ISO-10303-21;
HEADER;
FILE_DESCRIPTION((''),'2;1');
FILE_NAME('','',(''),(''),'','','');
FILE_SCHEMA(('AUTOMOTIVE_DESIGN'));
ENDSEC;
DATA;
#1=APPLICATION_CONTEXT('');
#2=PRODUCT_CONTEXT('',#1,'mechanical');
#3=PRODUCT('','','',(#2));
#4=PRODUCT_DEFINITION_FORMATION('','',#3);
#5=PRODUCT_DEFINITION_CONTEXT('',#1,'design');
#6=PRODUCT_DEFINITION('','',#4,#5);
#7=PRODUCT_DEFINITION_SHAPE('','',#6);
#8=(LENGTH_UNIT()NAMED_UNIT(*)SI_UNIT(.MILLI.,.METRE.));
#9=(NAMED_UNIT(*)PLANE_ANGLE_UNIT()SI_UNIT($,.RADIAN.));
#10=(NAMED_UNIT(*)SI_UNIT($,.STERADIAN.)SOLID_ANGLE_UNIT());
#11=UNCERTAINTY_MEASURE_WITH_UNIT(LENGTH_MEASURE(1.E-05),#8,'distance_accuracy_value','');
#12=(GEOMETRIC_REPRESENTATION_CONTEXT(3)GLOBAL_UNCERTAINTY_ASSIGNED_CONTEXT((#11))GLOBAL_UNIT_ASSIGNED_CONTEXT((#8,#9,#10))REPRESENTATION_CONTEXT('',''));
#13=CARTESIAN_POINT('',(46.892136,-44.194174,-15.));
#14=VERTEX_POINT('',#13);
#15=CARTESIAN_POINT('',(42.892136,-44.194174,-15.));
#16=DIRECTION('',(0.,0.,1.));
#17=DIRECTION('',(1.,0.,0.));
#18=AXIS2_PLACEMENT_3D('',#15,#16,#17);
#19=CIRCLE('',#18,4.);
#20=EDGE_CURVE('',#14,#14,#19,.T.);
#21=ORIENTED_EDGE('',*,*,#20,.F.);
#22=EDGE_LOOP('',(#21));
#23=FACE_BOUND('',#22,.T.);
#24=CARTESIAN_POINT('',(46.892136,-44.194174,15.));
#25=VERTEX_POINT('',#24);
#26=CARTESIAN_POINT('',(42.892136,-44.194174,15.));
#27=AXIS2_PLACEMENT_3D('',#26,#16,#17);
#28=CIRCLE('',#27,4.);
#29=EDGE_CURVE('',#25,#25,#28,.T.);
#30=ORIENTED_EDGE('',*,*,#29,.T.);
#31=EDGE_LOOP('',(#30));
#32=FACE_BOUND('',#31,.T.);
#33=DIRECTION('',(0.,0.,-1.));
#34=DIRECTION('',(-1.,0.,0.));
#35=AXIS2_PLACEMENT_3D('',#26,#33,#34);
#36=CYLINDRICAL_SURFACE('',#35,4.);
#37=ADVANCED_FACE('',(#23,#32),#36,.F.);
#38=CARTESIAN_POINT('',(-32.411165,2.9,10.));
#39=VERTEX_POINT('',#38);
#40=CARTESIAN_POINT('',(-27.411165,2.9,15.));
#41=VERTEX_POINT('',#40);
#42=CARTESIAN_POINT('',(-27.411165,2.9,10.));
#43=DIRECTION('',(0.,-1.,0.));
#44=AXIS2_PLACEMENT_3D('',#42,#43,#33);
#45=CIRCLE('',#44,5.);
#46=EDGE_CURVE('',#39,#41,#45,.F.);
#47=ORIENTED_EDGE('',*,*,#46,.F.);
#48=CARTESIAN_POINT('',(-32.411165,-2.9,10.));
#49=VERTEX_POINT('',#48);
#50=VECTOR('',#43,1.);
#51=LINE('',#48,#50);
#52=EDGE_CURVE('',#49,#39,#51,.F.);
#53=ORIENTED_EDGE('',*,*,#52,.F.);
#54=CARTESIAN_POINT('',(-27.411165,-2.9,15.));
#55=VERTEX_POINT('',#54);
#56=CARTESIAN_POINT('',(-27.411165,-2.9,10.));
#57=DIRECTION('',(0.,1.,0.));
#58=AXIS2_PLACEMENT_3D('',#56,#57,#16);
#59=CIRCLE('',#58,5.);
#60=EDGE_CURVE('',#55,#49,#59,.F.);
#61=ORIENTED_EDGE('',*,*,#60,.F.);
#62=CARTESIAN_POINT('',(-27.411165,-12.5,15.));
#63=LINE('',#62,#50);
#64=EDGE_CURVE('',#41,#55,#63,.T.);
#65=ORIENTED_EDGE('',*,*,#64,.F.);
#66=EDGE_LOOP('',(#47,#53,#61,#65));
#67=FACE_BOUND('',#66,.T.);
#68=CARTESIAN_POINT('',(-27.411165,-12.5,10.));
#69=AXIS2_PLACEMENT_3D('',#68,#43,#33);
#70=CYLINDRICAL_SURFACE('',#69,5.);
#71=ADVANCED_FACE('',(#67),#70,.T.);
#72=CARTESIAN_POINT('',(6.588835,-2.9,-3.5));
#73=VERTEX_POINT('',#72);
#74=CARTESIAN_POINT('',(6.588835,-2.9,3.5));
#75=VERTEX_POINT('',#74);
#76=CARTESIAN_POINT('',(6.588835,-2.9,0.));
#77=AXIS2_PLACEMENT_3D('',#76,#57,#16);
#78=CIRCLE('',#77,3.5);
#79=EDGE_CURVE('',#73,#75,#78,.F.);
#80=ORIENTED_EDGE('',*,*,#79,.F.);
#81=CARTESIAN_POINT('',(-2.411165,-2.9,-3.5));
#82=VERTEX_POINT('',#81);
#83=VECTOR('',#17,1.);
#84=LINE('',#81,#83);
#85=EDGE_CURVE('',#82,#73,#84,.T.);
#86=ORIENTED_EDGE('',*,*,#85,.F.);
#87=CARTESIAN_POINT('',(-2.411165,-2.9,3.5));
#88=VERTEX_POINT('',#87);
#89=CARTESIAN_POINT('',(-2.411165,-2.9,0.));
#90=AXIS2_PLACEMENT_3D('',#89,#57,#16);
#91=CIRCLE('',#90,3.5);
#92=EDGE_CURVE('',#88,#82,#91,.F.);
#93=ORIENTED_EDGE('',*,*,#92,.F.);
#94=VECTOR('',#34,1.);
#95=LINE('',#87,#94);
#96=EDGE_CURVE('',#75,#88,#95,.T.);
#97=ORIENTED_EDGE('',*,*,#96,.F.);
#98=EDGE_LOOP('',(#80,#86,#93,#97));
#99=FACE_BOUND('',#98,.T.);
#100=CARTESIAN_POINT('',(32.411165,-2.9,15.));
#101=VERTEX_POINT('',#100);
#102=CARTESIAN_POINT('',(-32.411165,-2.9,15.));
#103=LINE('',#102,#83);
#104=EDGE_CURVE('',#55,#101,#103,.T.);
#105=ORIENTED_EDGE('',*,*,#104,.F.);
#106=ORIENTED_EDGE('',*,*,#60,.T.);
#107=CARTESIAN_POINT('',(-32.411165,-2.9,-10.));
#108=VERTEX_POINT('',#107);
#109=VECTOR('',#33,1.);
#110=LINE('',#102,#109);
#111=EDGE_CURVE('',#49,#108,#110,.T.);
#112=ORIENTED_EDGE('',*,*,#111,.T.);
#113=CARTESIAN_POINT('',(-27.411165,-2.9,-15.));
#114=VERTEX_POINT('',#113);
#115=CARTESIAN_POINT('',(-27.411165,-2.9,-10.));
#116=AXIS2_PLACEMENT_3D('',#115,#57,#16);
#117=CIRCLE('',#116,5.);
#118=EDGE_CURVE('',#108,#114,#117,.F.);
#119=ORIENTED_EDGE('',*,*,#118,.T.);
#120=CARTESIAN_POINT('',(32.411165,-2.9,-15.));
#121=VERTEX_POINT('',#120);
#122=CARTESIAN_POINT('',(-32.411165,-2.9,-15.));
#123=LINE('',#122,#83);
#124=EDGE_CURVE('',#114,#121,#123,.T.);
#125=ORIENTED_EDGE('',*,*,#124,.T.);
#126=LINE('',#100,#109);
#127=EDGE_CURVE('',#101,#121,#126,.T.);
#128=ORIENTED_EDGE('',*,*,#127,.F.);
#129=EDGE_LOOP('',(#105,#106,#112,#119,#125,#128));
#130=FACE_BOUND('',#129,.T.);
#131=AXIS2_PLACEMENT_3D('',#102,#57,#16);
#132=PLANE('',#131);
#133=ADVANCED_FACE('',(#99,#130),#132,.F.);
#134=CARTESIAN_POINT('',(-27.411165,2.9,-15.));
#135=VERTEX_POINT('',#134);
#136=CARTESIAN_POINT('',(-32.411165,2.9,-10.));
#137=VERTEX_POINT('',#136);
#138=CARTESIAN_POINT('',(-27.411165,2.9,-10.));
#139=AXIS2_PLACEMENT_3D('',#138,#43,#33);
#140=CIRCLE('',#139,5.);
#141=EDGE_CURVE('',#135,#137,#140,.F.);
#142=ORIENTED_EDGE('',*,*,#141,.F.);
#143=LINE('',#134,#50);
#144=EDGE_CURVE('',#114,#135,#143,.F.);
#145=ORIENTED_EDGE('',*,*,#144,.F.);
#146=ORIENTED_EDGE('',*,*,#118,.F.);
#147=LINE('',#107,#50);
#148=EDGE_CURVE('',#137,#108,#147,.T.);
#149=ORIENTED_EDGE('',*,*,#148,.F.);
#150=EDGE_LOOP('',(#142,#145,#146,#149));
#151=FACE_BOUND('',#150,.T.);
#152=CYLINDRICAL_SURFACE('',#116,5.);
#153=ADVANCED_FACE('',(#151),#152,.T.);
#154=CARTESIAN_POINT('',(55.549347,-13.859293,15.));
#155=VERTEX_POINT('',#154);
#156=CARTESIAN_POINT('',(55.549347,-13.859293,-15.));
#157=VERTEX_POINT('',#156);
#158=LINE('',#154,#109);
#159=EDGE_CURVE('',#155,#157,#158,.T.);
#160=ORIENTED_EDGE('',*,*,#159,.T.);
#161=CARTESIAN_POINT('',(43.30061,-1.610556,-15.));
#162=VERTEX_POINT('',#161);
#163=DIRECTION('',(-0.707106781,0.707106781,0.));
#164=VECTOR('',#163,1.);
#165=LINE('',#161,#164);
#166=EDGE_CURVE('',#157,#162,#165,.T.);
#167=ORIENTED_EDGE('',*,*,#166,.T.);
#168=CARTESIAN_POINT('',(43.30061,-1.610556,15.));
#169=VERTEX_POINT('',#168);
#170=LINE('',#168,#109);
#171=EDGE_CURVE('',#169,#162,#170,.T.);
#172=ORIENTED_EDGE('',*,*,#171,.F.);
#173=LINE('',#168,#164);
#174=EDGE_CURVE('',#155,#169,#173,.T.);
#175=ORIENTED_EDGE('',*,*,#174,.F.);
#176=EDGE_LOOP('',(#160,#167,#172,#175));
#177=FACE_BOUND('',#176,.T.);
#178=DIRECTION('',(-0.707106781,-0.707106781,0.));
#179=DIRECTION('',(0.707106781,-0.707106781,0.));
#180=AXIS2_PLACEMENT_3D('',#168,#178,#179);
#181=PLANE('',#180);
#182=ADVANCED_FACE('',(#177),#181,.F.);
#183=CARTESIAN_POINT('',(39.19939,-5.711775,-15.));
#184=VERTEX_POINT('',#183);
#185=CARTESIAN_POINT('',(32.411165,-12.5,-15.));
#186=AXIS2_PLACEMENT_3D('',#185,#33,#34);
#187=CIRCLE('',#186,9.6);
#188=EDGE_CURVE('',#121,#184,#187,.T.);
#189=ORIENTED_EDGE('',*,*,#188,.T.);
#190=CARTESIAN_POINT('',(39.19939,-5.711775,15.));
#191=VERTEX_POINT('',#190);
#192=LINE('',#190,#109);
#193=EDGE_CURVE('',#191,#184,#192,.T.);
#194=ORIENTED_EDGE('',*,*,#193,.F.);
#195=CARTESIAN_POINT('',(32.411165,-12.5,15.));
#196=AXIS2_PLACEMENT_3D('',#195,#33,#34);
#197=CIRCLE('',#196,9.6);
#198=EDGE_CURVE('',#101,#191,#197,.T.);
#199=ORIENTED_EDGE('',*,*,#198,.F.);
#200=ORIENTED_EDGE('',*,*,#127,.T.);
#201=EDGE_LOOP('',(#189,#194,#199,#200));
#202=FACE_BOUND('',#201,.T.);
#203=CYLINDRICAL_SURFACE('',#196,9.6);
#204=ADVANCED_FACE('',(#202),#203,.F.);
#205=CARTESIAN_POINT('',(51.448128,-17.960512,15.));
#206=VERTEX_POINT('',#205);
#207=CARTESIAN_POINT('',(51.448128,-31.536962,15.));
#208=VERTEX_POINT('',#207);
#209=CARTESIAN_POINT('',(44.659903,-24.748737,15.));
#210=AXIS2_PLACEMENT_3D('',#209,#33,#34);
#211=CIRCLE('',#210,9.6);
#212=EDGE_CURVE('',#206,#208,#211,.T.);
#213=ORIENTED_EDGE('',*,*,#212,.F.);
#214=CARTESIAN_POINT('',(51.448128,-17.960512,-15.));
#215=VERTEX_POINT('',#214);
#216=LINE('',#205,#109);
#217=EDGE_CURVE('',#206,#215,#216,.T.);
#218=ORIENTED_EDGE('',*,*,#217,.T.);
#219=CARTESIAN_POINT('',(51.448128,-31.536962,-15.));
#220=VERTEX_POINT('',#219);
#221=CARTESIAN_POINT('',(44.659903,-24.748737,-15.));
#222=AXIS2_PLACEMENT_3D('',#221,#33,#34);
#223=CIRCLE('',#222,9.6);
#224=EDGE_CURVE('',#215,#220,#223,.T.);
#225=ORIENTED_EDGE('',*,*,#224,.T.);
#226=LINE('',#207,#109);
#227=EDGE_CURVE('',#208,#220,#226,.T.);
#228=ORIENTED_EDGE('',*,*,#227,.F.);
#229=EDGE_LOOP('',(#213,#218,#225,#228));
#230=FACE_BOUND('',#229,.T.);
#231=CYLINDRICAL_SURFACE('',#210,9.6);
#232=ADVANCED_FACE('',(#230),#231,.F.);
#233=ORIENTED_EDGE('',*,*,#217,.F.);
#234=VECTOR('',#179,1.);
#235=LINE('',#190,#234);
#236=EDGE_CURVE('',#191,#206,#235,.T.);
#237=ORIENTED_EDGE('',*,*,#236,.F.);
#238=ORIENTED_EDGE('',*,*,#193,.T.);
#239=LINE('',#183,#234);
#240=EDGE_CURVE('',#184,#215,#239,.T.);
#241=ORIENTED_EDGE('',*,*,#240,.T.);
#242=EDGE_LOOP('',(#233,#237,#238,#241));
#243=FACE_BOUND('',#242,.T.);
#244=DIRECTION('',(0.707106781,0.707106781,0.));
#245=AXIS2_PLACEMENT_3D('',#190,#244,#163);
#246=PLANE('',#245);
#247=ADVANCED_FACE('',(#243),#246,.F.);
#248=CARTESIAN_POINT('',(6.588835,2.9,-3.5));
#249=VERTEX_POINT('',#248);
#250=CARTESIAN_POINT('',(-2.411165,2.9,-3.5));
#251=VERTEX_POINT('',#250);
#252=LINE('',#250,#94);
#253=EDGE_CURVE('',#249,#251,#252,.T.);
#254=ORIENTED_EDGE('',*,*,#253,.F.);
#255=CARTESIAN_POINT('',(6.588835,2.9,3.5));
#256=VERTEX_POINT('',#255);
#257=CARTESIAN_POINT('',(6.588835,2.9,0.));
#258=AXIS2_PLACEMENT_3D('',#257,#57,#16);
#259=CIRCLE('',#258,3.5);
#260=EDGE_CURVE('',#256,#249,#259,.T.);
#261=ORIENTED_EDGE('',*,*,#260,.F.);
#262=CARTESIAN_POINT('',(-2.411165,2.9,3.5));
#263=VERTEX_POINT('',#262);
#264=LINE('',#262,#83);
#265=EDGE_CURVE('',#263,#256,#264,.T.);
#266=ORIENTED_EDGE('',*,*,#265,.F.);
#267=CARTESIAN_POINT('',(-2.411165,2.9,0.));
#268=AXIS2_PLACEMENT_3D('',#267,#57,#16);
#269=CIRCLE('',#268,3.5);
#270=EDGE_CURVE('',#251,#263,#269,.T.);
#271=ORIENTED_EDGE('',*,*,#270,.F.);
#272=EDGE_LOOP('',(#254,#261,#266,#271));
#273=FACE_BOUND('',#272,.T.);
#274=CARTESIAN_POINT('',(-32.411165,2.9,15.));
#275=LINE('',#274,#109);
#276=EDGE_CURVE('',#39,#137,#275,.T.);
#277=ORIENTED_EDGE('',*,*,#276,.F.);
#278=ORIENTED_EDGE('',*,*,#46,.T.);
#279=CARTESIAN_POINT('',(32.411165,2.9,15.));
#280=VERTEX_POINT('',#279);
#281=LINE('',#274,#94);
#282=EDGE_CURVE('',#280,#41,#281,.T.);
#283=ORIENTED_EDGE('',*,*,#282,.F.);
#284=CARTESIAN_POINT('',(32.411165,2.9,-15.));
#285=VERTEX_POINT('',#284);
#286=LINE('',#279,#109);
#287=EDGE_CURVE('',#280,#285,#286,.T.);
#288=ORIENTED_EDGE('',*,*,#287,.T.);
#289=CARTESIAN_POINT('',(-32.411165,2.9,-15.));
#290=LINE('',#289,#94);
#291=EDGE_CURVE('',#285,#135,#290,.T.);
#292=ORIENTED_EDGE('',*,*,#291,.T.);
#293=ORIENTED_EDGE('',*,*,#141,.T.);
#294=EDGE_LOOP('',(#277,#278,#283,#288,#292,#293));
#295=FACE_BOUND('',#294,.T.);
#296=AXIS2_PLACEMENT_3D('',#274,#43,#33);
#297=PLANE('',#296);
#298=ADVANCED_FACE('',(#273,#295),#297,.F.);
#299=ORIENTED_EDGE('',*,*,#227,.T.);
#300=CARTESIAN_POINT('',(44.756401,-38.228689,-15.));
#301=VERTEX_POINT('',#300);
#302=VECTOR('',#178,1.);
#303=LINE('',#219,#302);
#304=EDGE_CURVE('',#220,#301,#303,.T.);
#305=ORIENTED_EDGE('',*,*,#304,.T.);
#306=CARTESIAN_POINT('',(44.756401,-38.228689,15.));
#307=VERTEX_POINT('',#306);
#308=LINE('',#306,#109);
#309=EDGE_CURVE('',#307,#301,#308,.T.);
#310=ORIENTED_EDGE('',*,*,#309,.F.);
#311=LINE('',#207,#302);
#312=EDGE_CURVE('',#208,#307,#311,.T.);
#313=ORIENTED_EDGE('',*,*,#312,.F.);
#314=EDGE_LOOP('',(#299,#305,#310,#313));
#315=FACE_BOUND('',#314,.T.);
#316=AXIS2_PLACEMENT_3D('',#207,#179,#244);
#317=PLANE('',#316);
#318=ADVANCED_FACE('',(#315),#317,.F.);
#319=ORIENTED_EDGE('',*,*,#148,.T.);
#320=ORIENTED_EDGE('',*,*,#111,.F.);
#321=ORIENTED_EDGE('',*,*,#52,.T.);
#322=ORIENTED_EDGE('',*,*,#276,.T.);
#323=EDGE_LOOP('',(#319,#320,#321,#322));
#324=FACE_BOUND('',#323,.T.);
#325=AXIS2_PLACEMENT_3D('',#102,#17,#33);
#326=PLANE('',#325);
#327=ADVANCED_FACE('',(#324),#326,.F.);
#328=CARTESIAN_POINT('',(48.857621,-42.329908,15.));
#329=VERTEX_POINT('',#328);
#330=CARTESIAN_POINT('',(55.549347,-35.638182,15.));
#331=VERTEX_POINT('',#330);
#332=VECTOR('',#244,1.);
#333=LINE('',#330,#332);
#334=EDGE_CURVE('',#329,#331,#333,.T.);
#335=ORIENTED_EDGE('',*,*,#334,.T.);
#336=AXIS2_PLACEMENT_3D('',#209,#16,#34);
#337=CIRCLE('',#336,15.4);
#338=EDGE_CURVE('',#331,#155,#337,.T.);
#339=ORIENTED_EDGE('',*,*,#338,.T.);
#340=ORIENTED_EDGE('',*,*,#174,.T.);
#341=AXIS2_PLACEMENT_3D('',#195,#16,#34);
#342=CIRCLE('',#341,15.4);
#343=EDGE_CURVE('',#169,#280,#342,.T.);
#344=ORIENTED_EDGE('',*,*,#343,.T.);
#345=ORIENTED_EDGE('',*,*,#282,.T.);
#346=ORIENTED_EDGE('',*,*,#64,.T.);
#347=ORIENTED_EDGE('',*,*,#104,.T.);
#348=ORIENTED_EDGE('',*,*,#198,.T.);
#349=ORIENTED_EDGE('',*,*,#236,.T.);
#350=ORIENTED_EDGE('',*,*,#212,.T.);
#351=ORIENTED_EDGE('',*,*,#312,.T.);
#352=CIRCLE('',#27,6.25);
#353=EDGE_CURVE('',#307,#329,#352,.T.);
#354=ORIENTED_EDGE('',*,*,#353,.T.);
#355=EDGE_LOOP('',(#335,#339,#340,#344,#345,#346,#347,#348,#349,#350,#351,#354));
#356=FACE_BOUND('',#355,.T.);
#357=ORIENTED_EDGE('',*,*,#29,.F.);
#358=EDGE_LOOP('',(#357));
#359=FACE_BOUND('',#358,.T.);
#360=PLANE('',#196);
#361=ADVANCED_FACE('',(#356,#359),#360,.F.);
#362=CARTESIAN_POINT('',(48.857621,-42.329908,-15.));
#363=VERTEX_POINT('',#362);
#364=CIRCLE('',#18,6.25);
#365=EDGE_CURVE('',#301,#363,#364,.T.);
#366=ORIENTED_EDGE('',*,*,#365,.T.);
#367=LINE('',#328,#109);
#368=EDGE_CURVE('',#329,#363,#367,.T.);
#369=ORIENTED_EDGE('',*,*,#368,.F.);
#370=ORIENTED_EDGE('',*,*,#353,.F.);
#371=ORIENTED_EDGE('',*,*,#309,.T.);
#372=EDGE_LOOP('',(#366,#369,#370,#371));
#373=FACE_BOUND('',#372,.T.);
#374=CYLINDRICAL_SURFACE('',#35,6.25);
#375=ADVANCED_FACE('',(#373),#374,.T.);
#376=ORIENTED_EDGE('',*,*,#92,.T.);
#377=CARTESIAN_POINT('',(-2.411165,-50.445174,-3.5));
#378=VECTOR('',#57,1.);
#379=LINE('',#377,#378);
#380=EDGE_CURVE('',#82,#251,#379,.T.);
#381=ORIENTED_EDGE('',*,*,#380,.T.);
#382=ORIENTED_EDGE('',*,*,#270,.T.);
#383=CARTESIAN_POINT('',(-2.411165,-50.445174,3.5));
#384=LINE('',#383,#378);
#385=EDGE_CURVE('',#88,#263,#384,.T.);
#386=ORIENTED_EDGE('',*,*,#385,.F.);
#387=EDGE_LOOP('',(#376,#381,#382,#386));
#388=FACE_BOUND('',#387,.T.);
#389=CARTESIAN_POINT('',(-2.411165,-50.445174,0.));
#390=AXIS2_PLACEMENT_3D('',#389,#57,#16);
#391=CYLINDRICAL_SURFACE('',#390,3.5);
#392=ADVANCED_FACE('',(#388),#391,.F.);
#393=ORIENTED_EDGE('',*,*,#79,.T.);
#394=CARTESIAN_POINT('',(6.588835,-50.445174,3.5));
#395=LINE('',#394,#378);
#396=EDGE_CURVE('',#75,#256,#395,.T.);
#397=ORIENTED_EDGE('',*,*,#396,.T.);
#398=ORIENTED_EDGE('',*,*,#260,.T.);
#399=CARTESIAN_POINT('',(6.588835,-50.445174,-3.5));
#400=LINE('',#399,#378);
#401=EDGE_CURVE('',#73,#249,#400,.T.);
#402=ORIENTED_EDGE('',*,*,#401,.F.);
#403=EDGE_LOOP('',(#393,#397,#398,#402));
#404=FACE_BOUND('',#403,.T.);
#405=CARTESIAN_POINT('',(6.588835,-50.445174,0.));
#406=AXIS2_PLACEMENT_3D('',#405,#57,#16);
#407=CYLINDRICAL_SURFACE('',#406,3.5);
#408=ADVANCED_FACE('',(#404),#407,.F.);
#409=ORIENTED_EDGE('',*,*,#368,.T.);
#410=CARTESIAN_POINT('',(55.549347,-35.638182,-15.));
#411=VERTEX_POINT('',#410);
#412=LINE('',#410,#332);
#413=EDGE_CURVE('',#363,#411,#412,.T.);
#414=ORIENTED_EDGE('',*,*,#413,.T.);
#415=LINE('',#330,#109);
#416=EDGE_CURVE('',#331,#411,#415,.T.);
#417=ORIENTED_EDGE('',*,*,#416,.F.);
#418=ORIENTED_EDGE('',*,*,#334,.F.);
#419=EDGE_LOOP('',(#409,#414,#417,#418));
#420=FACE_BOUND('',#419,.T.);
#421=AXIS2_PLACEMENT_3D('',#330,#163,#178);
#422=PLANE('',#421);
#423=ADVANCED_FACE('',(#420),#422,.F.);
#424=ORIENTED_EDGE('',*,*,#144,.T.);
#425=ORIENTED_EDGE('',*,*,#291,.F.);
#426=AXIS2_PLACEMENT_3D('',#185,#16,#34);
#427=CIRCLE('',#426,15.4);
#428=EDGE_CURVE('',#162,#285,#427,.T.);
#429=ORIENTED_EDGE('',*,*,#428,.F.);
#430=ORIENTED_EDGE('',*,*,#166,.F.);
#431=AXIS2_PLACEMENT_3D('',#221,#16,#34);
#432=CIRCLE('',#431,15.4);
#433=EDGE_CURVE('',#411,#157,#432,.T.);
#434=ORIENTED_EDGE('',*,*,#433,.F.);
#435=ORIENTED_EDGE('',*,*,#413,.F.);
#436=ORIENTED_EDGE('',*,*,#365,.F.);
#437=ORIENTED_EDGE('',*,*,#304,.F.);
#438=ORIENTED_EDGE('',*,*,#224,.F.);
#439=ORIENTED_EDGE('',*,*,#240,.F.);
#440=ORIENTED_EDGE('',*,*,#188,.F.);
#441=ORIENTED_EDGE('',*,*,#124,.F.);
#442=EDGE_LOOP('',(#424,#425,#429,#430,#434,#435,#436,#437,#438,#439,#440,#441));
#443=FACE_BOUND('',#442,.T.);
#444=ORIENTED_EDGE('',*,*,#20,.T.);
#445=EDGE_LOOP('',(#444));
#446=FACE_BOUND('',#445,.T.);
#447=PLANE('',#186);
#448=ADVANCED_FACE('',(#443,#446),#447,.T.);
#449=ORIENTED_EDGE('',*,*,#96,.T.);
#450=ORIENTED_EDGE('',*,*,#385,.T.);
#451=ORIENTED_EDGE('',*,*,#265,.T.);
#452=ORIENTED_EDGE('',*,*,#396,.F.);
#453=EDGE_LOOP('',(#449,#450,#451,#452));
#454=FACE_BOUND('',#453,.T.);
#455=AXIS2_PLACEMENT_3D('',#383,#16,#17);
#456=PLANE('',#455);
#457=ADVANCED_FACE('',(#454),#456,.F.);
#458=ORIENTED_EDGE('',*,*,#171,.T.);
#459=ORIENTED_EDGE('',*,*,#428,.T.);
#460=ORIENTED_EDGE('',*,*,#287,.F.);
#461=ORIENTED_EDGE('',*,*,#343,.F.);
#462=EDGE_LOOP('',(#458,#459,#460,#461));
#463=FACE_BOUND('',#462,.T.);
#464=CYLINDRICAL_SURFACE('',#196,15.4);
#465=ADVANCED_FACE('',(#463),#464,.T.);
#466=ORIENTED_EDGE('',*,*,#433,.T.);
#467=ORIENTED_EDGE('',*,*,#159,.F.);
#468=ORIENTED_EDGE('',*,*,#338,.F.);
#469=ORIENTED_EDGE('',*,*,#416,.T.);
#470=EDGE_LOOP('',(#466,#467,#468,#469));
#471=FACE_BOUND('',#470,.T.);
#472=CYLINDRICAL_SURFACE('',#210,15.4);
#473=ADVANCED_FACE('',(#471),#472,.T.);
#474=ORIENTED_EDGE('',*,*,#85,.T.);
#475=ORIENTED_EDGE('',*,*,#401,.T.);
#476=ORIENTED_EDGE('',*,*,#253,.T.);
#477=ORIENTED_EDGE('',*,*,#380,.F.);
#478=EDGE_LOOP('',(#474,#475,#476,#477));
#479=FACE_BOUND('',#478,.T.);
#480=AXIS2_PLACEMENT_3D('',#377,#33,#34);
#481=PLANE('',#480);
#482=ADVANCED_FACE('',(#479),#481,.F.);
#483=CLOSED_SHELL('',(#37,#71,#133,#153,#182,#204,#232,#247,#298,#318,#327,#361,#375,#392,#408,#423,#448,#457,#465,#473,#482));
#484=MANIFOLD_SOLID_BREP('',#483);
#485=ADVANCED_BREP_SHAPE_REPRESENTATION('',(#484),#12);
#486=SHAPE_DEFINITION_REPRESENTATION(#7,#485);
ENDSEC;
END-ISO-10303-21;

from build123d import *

# Parameters (mm, degrees)
SKETCH1_R           = 4
BOSS_EXTRUDE1_DEPTH = 15
CUT_EXTRUDE1_REACH  = 83.718
FILLET1_R           = 5


with BuildPart() as part:
    # Sketch1 → Boss-Extrude1 (new, symmetric)
    with BuildSketch(Plane.XY):
        with BuildLine():
            Line((-32.411165235, -2.9), (32.411165235, -2.9))
            ThreePointArc((32.411165235, -2.9), (36.084926186, -3.630756488), (39.199390335, -5.711774901))
            Line((39.199390335, -5.711774901), (51.448127676, -17.960512242))
            ThreePointArc((51.448127676, -17.960512242), (54.259902577, -24.748737342), (51.448127676, -31.536962441))
            Line((51.448127676, -31.536962441), (44.756401435, -38.228688682))
            ThreePointArc((44.756401435, -38.228688682), (38.472718241, -48.613591207), (48.857620766, -42.329908013))
            Line((48.857620766, -42.329908013), (55.549347007, -35.638181772))
            ThreePointArc((55.549347007, -35.638181772), (60.059902577, -24.748737342), (55.549347007, -13.859292911))
            Line((55.549347007, -13.859292911), (43.300609665, -1.61055557))
            ThreePointArc((43.300609665, -1.61055557), (38.304490094, 1.727744801), (32.411165235, 2.9))
            Line((32.411165235, 2.9), (-32.411165235, 2.9))
            Line((-32.411165235, 2.9), (-32.411165235, -2.9))
        make_face()
        with Locations((42.892135624, -44.194173824)):
            Circle(SKETCH1_R, mode=Mode.SUBTRACT)
    extrude(amount=BOSS_EXTRUDE1_DEPTH, both=True)

    # Sketch2 → Cut-Extrude1 (cut, up to next)
    with BuildSketch(Plane(origin=(0, 2.9, 0), x_dir=(1, 0, 0), z_dir=(0, 1, 0)), mode=Mode.PRIVATE) as cut_extrude1_sk1:
        with BuildLine():
            Line((-2.411165235, 3.5), (6.588834765, 3.5))
            ThreePointArc((6.588834765, 3.5), (10.088834765, 0), (6.588834765, -3.5))
            Line((6.588834765, -3.5), (-2.411165235, -3.5))
            ThreePointArc((-2.411165235, -3.5), (-5.911165235, 0), (-2.411165235, 3.5))
        make_face()
    cut_extrude1_tool1 = extrude(cut_extrude1_sk1.sketch, amount=-CUT_EXTRUDE1_REACH, mode=Mode.PRIVATE) & part.part
    add(cut_extrude1_tool1.solids().sort_by_distance((2.088835, 2.9, 0))[0], mode=Mode.SUBTRACT)

    # Fillet1
    fillet1_edges = [part.edges().sort_by_distance(p)[0] for p in [
        (-32.411165235, 0, -15),
        (-32.411165235, 0, 15),
    ]]
    fillet(fillet1_edges, radius=FILLET1_R)


solid = part.part
